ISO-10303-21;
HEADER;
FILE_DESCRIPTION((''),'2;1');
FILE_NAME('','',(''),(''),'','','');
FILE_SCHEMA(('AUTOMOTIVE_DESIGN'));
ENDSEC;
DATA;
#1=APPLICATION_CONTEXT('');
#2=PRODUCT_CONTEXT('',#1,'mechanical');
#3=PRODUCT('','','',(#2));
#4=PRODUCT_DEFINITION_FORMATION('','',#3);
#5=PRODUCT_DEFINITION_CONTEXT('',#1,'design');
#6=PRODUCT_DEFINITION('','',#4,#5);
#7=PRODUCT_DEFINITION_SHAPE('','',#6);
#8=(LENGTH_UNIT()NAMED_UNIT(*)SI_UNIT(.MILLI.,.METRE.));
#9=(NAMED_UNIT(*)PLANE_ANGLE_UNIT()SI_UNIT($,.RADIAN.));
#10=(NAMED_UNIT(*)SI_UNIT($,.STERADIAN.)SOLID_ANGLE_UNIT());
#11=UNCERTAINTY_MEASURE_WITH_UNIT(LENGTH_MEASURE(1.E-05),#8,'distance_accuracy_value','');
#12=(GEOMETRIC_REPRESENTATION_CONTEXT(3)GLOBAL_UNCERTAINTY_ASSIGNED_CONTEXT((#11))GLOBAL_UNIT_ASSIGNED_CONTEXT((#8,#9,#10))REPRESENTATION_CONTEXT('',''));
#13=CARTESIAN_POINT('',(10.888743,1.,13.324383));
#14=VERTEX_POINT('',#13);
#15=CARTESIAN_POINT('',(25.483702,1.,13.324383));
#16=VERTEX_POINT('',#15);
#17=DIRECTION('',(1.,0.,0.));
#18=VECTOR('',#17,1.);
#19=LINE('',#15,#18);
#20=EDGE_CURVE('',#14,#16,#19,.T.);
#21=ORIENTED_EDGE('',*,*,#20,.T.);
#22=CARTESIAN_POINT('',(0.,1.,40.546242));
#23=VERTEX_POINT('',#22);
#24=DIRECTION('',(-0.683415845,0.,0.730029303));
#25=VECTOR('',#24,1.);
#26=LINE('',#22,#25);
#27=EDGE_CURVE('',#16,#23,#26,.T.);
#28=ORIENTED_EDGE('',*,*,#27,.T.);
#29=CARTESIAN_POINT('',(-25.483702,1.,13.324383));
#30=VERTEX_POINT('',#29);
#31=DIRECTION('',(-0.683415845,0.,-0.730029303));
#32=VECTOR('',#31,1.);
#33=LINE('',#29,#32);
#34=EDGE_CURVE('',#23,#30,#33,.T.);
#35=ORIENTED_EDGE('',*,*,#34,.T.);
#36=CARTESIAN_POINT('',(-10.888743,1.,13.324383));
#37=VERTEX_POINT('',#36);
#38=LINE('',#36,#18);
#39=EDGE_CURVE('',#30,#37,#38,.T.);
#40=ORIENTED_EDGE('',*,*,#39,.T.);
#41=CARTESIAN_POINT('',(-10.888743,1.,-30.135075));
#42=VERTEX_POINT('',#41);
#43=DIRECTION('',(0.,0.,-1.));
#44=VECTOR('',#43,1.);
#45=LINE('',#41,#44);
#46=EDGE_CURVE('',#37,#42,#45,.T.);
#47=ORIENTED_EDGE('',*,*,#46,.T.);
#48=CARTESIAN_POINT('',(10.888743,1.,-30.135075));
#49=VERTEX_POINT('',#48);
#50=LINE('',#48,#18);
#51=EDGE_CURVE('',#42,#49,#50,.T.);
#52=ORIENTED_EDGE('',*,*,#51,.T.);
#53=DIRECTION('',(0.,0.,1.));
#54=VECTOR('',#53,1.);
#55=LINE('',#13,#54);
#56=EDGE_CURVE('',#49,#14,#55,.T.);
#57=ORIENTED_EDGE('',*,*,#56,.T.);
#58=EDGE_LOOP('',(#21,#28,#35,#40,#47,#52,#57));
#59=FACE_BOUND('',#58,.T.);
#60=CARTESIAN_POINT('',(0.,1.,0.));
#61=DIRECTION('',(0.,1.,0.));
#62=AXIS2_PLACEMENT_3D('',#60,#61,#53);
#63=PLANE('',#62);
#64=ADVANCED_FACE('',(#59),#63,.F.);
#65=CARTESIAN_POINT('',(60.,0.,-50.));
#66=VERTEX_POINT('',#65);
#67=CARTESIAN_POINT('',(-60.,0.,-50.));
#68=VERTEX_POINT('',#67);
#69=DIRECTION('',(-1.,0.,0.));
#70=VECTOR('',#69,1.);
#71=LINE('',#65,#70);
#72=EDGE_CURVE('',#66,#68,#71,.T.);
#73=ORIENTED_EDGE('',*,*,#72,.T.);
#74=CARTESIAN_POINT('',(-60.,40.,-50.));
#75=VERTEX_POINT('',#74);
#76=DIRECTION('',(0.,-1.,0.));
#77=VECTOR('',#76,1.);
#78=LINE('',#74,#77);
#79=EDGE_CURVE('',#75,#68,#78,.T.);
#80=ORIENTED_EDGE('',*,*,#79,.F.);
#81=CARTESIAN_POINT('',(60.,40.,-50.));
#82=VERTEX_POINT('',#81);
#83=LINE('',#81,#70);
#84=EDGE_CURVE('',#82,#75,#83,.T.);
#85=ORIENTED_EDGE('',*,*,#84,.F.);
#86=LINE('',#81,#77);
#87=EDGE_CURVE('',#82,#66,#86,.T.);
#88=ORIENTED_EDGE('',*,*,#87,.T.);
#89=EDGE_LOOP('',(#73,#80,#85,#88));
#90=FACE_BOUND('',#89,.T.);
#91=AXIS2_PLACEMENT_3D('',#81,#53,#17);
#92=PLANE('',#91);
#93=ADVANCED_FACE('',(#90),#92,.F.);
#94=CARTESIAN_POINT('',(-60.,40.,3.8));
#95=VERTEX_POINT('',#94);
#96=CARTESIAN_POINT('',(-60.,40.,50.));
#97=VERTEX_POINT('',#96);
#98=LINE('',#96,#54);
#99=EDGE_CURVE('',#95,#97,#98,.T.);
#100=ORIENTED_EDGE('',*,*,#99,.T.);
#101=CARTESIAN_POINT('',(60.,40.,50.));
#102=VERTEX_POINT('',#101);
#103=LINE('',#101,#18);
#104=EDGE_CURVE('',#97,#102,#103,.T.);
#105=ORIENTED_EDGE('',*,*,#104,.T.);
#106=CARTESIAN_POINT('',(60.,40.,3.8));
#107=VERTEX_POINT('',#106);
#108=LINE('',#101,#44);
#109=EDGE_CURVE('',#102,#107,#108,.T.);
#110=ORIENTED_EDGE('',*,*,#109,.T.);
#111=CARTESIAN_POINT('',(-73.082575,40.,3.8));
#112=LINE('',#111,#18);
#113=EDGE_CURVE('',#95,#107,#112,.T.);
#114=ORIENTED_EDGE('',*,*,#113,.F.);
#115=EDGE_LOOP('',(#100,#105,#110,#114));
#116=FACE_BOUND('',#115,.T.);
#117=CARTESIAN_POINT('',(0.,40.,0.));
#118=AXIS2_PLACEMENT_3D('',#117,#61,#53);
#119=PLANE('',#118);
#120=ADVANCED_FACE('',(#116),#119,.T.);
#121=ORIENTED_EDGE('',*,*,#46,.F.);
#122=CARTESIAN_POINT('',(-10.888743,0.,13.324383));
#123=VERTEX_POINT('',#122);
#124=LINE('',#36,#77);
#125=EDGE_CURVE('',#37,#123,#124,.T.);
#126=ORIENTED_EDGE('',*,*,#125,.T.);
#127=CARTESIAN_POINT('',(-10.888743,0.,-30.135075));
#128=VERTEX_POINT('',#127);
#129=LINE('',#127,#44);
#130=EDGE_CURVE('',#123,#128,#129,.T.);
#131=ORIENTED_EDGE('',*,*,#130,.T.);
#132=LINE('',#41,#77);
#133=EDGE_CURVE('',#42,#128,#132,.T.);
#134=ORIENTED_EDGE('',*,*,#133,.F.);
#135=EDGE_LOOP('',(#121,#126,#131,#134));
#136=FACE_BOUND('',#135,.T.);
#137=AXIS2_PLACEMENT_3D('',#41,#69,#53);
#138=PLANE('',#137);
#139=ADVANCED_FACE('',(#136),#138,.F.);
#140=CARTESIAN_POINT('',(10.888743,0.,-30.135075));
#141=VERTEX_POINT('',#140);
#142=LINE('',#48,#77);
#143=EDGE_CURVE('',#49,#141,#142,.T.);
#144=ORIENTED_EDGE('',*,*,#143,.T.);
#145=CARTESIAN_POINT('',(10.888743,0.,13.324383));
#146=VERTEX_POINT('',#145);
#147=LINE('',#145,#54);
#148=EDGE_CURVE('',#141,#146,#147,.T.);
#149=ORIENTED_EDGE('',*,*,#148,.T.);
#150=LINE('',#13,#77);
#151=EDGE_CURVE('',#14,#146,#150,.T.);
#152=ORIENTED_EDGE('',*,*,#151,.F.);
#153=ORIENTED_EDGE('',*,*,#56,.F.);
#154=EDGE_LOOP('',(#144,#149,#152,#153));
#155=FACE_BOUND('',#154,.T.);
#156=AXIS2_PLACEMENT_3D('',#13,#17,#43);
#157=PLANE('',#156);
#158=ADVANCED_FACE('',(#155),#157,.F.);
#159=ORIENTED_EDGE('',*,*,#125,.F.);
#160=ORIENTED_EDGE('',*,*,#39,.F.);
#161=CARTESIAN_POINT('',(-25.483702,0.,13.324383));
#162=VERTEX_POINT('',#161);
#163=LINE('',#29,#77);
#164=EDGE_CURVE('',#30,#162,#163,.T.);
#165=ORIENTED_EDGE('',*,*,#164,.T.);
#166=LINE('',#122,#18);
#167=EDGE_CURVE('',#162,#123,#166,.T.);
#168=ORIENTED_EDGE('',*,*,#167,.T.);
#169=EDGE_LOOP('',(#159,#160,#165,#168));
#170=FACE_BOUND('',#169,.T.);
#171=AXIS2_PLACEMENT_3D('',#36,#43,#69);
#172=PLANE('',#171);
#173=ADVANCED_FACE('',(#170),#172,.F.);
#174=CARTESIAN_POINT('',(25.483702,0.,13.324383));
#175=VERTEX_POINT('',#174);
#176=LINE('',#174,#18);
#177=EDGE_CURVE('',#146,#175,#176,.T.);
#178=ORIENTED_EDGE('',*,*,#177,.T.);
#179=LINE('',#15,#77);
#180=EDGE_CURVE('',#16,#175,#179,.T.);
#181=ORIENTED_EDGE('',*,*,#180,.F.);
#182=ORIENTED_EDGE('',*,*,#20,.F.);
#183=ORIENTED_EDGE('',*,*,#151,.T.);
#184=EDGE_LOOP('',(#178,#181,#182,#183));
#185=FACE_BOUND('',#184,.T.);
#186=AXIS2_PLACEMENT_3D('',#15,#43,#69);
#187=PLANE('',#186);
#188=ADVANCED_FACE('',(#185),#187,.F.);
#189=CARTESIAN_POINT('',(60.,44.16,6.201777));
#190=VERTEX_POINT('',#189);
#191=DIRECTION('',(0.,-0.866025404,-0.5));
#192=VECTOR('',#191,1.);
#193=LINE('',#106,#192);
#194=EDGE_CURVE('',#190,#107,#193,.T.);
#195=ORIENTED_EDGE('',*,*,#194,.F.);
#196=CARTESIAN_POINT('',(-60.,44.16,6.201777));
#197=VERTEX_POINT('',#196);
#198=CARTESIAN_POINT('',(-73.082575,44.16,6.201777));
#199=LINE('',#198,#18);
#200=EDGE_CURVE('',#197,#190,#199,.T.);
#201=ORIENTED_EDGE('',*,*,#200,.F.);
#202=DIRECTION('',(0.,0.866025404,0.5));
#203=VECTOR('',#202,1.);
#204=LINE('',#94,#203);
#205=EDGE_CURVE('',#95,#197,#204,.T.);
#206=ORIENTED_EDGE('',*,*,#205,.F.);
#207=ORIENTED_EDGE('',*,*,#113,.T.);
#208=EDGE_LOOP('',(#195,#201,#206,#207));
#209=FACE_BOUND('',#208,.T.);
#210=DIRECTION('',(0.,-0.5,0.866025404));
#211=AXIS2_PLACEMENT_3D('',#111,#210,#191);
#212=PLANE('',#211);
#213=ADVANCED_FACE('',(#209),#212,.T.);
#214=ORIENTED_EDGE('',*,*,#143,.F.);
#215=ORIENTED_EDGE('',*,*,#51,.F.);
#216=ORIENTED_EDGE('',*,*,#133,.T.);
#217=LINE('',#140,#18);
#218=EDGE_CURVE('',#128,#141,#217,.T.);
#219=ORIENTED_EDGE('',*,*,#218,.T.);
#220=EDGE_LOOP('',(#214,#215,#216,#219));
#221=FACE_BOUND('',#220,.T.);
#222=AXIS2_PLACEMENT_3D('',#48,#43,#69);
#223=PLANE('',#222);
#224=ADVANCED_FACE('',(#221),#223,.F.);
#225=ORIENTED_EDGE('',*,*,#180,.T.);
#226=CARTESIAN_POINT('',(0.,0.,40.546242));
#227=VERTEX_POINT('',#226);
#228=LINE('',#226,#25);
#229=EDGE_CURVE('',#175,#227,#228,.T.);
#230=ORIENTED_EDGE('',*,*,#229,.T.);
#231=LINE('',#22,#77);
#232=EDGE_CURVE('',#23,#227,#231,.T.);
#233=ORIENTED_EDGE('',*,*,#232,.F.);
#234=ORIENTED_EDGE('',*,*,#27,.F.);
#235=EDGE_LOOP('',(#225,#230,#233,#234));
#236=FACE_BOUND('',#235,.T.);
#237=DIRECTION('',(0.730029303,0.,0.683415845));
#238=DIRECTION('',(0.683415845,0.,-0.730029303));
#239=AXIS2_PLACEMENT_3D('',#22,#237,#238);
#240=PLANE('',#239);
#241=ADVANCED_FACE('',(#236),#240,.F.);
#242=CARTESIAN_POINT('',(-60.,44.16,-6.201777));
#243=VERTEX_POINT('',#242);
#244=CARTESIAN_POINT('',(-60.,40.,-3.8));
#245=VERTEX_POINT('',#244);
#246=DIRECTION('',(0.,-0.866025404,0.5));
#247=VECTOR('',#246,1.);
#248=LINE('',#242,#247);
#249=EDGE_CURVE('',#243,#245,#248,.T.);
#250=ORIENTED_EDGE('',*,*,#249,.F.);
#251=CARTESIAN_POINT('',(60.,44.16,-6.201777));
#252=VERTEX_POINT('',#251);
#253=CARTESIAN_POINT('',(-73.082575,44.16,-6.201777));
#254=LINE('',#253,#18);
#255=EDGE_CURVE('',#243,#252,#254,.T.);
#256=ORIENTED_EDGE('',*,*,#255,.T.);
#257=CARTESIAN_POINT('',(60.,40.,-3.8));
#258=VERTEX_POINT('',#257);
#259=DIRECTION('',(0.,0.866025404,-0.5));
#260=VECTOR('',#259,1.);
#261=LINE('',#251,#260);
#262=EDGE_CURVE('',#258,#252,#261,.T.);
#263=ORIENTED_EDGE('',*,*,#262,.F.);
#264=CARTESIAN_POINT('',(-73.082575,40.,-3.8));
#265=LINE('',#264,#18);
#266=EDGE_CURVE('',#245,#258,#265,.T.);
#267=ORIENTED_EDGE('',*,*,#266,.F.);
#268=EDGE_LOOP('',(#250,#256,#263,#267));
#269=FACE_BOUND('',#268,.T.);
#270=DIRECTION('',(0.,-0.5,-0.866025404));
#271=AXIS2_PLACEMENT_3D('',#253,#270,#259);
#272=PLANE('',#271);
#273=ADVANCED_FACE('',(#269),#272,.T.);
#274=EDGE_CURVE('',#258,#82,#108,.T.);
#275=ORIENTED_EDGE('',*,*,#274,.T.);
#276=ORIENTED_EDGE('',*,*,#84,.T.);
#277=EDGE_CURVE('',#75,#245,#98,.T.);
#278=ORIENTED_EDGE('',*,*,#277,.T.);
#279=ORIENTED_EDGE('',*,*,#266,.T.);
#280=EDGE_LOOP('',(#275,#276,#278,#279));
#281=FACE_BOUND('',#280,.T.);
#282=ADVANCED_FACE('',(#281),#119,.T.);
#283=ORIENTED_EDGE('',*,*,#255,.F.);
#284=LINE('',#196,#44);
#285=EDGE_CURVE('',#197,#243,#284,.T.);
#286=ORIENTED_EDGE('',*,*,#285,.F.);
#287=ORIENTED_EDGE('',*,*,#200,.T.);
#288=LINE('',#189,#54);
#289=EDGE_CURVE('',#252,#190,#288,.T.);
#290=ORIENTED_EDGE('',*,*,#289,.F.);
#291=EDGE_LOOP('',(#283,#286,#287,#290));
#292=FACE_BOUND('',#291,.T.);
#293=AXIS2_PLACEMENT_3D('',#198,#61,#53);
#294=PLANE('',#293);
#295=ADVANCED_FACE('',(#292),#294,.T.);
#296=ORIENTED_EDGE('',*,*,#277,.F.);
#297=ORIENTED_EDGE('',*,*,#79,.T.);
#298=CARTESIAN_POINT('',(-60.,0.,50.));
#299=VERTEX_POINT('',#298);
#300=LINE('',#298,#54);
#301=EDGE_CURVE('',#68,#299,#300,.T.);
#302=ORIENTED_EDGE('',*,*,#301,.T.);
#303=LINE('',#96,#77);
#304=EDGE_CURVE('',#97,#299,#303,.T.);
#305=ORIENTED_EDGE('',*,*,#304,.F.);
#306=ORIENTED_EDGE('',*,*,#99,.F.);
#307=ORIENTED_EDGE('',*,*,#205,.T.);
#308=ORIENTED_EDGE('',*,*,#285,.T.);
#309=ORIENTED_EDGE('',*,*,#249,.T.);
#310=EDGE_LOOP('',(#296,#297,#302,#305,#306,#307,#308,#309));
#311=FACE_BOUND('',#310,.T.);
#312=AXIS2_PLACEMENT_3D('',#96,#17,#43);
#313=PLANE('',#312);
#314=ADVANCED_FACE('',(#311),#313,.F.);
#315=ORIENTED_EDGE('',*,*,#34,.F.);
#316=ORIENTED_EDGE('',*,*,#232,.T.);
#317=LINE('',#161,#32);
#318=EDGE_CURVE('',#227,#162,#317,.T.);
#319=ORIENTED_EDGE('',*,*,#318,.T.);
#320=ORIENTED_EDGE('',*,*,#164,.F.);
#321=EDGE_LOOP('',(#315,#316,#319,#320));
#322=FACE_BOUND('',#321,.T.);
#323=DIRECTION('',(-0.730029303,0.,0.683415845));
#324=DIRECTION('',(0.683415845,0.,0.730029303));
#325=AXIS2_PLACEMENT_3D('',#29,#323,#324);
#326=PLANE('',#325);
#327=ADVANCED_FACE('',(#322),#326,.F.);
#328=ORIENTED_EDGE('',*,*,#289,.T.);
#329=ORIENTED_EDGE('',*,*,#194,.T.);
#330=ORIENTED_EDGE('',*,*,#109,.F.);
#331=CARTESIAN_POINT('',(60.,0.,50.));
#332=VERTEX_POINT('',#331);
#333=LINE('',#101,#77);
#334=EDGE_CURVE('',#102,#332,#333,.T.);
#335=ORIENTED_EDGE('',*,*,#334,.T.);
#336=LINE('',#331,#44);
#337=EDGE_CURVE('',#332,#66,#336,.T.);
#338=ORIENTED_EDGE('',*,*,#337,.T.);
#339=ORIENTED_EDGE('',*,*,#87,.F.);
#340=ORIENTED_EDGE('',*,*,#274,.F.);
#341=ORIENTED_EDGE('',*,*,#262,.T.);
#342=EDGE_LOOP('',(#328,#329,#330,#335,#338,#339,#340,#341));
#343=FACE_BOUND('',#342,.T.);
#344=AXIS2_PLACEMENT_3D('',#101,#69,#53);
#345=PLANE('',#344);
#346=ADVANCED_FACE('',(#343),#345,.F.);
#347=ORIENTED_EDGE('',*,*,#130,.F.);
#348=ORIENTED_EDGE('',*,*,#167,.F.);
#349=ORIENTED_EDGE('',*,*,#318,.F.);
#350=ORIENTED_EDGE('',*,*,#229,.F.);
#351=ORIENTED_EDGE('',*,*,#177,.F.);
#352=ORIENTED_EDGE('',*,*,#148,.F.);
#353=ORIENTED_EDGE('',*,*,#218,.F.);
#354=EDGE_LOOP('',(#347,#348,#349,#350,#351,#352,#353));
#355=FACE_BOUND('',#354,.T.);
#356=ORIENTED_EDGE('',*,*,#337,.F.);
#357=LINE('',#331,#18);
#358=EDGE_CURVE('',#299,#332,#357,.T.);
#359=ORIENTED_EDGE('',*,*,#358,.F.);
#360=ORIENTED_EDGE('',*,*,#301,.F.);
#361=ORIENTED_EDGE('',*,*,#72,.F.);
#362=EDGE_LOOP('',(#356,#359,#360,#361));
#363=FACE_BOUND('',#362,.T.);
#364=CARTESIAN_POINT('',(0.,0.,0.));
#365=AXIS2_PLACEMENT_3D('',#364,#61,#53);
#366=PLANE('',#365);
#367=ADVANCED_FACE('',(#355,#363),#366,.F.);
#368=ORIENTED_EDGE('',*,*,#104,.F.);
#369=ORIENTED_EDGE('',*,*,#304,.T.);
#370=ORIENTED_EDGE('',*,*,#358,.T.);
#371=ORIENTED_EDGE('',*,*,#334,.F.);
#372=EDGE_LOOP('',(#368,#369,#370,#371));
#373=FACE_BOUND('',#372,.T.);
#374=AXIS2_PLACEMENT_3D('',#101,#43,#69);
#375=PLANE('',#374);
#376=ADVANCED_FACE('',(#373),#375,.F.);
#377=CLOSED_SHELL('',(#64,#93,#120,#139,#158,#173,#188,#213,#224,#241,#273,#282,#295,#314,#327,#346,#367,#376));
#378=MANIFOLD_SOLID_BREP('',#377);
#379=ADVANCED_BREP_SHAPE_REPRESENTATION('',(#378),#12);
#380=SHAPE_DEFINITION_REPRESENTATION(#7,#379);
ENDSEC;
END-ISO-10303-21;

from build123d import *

# Parameters (mm, degrees)
SKETCH1_W           = 120
SKETCH1_H           = 100
BOSS_EXTRUDE1_DEPTH = 40
BOSS_EXTRUDE2_DEPTH = 120
CUT_EXTRUDE2_DEPTH  = 1


with BuildPart() as part:
    # Sketch1 → Boss-Extrude1 (new body)
    with BuildSketch(Plane(origin=(0, 0, 0), x_dir=(1, 0, 0), z_dir=(0, 1, 0))):
        Rectangle(SKETCH1_W, SKETCH1_H)
    extrude(amount=BOSS_EXTRUDE1_DEPTH)

    # Sketch2 → Boss-Extrude2 (add)
    with BuildSketch(Plane(origin=(60, 0, 0), x_dir=(0, 0, -1), z_dir=(1, 0, 0))):
        Polygon((-3.8, 40), (-6.20177712, 44.16), (6.20177712, 44.16), (3.8, 40), align=None)
    extrude(amount=-BOSS_EXTRUDE2_DEPTH)

    # Sketch5 → Cut-Extrude2 (cut)
    with BuildSketch(Plane.XZ):
        Polygon((-10.888743303, -30.135074667), (-10.888743303, 13.324383252), (-25.483702069, 13.324383252), (0, 40.546241509), (25.483702069, 13.324383252), (10.888743303, 13.324383252), (10.888743303, -30.135074667), align=None)
    extrude(amount=-CUT_EXTRUDE2_DEPTH, mode=Mode.SUBTRACT)


solid = part.part
